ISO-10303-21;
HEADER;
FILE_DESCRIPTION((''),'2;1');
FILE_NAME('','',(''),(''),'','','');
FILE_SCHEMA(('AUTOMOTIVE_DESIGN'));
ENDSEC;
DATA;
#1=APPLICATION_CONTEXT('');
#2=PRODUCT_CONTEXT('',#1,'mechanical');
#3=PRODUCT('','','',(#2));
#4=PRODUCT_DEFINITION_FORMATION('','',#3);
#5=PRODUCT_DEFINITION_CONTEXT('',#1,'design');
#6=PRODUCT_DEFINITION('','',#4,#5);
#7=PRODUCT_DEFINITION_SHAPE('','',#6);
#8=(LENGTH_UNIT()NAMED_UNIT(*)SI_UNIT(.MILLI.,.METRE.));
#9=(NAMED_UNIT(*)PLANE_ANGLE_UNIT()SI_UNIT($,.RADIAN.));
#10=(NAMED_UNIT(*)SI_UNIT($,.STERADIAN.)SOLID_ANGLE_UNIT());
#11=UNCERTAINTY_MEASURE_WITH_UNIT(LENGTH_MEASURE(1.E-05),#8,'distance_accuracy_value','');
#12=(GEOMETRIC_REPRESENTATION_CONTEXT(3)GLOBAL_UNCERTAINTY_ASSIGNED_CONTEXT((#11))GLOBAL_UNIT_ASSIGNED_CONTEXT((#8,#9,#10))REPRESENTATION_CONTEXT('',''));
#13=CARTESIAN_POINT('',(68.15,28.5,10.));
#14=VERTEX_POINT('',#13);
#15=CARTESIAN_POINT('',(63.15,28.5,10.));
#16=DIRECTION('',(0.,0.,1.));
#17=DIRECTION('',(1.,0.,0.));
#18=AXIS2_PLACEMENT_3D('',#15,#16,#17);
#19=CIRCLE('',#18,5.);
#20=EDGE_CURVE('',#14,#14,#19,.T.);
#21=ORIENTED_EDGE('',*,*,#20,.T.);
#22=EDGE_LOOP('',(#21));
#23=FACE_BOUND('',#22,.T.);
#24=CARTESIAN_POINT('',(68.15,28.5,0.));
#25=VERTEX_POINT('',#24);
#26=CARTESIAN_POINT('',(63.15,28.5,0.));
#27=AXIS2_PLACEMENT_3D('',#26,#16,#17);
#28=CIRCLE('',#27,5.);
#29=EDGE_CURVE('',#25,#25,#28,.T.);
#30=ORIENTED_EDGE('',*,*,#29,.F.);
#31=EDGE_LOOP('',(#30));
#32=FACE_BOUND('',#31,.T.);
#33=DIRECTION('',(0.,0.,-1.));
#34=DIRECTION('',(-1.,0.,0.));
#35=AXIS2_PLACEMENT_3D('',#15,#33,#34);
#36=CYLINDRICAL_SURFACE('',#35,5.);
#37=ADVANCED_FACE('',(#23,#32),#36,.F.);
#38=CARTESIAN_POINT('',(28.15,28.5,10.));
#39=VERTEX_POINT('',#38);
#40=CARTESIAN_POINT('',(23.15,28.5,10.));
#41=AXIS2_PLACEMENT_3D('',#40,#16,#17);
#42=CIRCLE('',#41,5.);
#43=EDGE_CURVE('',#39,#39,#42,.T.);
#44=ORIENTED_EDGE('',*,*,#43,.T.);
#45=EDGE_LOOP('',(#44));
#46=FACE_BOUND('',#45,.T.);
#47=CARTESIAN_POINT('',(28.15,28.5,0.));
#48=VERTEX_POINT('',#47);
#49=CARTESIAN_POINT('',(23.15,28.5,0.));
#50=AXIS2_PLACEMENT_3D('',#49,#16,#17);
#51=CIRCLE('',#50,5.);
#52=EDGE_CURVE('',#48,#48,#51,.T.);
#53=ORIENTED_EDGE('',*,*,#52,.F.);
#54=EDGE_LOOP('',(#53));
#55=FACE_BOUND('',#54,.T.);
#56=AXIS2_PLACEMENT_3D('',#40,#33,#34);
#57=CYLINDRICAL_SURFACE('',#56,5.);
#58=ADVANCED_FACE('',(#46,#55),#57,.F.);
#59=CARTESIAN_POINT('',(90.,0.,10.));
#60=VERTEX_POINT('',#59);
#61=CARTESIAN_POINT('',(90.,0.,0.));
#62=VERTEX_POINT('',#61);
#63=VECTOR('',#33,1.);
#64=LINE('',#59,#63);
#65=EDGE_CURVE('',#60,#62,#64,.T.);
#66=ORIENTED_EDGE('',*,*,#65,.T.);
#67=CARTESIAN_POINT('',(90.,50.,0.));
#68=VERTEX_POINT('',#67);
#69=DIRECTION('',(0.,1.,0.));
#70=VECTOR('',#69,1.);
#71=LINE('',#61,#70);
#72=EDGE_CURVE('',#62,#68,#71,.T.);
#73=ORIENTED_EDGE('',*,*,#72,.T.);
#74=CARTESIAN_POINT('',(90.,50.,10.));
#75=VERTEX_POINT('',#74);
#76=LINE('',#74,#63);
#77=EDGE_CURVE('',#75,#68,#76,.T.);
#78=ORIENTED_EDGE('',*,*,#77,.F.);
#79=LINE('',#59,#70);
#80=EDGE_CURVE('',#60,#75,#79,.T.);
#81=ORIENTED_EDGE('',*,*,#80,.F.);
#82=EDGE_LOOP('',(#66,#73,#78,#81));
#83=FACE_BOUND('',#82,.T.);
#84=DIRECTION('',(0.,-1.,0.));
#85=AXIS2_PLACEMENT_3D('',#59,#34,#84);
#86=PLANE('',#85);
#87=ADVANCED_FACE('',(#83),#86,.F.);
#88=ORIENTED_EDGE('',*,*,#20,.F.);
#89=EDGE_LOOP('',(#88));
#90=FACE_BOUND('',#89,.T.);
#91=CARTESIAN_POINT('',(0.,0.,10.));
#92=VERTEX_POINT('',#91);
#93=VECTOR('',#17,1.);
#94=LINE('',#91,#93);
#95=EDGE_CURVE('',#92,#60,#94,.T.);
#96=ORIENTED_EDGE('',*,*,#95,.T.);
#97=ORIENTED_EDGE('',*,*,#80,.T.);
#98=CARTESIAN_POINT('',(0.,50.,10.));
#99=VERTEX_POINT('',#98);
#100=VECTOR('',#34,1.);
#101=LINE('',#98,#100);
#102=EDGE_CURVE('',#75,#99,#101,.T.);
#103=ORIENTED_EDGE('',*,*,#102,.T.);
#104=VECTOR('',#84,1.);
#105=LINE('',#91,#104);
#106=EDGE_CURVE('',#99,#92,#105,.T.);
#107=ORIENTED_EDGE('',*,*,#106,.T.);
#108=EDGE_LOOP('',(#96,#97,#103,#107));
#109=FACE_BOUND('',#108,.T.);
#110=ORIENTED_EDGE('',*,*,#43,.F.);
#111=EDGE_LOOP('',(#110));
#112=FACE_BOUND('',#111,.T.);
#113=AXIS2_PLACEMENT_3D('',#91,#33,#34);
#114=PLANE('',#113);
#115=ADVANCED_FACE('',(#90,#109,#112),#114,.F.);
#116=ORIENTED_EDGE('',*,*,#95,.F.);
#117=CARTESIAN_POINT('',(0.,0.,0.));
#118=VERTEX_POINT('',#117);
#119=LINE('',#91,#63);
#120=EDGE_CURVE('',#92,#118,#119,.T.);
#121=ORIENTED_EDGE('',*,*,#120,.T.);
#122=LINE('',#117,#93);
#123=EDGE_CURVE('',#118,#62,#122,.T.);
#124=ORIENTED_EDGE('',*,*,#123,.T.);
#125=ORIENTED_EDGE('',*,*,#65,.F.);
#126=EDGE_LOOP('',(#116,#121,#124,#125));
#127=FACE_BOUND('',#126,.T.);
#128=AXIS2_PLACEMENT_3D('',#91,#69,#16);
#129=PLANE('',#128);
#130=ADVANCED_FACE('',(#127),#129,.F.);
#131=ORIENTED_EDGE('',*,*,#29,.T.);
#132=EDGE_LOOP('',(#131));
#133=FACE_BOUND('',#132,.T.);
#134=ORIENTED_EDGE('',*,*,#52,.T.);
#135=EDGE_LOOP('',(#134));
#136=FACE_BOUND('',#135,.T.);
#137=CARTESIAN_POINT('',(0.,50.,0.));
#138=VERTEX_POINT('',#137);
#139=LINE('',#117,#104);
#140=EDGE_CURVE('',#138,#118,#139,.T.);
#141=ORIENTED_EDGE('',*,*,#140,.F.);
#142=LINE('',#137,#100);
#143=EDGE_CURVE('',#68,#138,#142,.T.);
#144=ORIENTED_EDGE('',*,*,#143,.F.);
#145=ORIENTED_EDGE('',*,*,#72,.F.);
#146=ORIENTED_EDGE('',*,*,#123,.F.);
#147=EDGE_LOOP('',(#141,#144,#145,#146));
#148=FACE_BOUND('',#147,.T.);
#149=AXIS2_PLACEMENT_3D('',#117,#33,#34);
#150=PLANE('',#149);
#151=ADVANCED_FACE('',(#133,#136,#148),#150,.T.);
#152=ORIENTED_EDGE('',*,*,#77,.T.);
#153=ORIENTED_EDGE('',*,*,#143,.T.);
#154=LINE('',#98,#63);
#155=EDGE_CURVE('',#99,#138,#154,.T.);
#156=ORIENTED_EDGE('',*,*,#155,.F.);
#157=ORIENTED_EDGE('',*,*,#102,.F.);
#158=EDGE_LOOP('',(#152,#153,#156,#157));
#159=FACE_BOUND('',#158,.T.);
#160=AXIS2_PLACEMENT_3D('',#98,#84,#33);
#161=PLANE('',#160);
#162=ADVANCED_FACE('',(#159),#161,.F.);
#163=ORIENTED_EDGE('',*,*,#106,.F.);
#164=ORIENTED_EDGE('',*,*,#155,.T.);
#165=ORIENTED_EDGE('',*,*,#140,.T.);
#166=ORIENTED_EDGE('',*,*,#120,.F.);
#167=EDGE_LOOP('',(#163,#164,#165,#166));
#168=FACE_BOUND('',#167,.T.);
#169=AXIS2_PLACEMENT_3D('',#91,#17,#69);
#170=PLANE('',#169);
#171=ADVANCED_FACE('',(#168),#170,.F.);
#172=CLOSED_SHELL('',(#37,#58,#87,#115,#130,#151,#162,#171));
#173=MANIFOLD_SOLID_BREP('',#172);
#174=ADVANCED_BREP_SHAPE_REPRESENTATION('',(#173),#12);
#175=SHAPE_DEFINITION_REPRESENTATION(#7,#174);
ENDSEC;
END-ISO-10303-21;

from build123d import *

# Parameters (mm, degrees)
SZKIC1_W                    = 90
SZKIC1_H                    = 50
SZKIC1_R                    = 5
DODANIE_WYCI_GNI_CIE1_DEPTH = 10


with BuildPart() as part:
    # Szkic1 → Dodanie-wyciągnięcie1 (new body)
    with BuildSketch(Plane.XY):
        with Locations((45, 25)):
            Rectangle(SZKIC1_W, SZKIC1_H)
        with Locations((23.15, 28.5)):
            Circle(SZKIC1_R, mode=Mode.SUBTRACT)
        with Locations((63.15, 28.5)):
            Circle(SZKIC1_R, mode=Mode.SUBTRACT)
    extrude(amount=DODANIE_WYCI_GNI_CIE1_DEPTH)


solid = part.part
